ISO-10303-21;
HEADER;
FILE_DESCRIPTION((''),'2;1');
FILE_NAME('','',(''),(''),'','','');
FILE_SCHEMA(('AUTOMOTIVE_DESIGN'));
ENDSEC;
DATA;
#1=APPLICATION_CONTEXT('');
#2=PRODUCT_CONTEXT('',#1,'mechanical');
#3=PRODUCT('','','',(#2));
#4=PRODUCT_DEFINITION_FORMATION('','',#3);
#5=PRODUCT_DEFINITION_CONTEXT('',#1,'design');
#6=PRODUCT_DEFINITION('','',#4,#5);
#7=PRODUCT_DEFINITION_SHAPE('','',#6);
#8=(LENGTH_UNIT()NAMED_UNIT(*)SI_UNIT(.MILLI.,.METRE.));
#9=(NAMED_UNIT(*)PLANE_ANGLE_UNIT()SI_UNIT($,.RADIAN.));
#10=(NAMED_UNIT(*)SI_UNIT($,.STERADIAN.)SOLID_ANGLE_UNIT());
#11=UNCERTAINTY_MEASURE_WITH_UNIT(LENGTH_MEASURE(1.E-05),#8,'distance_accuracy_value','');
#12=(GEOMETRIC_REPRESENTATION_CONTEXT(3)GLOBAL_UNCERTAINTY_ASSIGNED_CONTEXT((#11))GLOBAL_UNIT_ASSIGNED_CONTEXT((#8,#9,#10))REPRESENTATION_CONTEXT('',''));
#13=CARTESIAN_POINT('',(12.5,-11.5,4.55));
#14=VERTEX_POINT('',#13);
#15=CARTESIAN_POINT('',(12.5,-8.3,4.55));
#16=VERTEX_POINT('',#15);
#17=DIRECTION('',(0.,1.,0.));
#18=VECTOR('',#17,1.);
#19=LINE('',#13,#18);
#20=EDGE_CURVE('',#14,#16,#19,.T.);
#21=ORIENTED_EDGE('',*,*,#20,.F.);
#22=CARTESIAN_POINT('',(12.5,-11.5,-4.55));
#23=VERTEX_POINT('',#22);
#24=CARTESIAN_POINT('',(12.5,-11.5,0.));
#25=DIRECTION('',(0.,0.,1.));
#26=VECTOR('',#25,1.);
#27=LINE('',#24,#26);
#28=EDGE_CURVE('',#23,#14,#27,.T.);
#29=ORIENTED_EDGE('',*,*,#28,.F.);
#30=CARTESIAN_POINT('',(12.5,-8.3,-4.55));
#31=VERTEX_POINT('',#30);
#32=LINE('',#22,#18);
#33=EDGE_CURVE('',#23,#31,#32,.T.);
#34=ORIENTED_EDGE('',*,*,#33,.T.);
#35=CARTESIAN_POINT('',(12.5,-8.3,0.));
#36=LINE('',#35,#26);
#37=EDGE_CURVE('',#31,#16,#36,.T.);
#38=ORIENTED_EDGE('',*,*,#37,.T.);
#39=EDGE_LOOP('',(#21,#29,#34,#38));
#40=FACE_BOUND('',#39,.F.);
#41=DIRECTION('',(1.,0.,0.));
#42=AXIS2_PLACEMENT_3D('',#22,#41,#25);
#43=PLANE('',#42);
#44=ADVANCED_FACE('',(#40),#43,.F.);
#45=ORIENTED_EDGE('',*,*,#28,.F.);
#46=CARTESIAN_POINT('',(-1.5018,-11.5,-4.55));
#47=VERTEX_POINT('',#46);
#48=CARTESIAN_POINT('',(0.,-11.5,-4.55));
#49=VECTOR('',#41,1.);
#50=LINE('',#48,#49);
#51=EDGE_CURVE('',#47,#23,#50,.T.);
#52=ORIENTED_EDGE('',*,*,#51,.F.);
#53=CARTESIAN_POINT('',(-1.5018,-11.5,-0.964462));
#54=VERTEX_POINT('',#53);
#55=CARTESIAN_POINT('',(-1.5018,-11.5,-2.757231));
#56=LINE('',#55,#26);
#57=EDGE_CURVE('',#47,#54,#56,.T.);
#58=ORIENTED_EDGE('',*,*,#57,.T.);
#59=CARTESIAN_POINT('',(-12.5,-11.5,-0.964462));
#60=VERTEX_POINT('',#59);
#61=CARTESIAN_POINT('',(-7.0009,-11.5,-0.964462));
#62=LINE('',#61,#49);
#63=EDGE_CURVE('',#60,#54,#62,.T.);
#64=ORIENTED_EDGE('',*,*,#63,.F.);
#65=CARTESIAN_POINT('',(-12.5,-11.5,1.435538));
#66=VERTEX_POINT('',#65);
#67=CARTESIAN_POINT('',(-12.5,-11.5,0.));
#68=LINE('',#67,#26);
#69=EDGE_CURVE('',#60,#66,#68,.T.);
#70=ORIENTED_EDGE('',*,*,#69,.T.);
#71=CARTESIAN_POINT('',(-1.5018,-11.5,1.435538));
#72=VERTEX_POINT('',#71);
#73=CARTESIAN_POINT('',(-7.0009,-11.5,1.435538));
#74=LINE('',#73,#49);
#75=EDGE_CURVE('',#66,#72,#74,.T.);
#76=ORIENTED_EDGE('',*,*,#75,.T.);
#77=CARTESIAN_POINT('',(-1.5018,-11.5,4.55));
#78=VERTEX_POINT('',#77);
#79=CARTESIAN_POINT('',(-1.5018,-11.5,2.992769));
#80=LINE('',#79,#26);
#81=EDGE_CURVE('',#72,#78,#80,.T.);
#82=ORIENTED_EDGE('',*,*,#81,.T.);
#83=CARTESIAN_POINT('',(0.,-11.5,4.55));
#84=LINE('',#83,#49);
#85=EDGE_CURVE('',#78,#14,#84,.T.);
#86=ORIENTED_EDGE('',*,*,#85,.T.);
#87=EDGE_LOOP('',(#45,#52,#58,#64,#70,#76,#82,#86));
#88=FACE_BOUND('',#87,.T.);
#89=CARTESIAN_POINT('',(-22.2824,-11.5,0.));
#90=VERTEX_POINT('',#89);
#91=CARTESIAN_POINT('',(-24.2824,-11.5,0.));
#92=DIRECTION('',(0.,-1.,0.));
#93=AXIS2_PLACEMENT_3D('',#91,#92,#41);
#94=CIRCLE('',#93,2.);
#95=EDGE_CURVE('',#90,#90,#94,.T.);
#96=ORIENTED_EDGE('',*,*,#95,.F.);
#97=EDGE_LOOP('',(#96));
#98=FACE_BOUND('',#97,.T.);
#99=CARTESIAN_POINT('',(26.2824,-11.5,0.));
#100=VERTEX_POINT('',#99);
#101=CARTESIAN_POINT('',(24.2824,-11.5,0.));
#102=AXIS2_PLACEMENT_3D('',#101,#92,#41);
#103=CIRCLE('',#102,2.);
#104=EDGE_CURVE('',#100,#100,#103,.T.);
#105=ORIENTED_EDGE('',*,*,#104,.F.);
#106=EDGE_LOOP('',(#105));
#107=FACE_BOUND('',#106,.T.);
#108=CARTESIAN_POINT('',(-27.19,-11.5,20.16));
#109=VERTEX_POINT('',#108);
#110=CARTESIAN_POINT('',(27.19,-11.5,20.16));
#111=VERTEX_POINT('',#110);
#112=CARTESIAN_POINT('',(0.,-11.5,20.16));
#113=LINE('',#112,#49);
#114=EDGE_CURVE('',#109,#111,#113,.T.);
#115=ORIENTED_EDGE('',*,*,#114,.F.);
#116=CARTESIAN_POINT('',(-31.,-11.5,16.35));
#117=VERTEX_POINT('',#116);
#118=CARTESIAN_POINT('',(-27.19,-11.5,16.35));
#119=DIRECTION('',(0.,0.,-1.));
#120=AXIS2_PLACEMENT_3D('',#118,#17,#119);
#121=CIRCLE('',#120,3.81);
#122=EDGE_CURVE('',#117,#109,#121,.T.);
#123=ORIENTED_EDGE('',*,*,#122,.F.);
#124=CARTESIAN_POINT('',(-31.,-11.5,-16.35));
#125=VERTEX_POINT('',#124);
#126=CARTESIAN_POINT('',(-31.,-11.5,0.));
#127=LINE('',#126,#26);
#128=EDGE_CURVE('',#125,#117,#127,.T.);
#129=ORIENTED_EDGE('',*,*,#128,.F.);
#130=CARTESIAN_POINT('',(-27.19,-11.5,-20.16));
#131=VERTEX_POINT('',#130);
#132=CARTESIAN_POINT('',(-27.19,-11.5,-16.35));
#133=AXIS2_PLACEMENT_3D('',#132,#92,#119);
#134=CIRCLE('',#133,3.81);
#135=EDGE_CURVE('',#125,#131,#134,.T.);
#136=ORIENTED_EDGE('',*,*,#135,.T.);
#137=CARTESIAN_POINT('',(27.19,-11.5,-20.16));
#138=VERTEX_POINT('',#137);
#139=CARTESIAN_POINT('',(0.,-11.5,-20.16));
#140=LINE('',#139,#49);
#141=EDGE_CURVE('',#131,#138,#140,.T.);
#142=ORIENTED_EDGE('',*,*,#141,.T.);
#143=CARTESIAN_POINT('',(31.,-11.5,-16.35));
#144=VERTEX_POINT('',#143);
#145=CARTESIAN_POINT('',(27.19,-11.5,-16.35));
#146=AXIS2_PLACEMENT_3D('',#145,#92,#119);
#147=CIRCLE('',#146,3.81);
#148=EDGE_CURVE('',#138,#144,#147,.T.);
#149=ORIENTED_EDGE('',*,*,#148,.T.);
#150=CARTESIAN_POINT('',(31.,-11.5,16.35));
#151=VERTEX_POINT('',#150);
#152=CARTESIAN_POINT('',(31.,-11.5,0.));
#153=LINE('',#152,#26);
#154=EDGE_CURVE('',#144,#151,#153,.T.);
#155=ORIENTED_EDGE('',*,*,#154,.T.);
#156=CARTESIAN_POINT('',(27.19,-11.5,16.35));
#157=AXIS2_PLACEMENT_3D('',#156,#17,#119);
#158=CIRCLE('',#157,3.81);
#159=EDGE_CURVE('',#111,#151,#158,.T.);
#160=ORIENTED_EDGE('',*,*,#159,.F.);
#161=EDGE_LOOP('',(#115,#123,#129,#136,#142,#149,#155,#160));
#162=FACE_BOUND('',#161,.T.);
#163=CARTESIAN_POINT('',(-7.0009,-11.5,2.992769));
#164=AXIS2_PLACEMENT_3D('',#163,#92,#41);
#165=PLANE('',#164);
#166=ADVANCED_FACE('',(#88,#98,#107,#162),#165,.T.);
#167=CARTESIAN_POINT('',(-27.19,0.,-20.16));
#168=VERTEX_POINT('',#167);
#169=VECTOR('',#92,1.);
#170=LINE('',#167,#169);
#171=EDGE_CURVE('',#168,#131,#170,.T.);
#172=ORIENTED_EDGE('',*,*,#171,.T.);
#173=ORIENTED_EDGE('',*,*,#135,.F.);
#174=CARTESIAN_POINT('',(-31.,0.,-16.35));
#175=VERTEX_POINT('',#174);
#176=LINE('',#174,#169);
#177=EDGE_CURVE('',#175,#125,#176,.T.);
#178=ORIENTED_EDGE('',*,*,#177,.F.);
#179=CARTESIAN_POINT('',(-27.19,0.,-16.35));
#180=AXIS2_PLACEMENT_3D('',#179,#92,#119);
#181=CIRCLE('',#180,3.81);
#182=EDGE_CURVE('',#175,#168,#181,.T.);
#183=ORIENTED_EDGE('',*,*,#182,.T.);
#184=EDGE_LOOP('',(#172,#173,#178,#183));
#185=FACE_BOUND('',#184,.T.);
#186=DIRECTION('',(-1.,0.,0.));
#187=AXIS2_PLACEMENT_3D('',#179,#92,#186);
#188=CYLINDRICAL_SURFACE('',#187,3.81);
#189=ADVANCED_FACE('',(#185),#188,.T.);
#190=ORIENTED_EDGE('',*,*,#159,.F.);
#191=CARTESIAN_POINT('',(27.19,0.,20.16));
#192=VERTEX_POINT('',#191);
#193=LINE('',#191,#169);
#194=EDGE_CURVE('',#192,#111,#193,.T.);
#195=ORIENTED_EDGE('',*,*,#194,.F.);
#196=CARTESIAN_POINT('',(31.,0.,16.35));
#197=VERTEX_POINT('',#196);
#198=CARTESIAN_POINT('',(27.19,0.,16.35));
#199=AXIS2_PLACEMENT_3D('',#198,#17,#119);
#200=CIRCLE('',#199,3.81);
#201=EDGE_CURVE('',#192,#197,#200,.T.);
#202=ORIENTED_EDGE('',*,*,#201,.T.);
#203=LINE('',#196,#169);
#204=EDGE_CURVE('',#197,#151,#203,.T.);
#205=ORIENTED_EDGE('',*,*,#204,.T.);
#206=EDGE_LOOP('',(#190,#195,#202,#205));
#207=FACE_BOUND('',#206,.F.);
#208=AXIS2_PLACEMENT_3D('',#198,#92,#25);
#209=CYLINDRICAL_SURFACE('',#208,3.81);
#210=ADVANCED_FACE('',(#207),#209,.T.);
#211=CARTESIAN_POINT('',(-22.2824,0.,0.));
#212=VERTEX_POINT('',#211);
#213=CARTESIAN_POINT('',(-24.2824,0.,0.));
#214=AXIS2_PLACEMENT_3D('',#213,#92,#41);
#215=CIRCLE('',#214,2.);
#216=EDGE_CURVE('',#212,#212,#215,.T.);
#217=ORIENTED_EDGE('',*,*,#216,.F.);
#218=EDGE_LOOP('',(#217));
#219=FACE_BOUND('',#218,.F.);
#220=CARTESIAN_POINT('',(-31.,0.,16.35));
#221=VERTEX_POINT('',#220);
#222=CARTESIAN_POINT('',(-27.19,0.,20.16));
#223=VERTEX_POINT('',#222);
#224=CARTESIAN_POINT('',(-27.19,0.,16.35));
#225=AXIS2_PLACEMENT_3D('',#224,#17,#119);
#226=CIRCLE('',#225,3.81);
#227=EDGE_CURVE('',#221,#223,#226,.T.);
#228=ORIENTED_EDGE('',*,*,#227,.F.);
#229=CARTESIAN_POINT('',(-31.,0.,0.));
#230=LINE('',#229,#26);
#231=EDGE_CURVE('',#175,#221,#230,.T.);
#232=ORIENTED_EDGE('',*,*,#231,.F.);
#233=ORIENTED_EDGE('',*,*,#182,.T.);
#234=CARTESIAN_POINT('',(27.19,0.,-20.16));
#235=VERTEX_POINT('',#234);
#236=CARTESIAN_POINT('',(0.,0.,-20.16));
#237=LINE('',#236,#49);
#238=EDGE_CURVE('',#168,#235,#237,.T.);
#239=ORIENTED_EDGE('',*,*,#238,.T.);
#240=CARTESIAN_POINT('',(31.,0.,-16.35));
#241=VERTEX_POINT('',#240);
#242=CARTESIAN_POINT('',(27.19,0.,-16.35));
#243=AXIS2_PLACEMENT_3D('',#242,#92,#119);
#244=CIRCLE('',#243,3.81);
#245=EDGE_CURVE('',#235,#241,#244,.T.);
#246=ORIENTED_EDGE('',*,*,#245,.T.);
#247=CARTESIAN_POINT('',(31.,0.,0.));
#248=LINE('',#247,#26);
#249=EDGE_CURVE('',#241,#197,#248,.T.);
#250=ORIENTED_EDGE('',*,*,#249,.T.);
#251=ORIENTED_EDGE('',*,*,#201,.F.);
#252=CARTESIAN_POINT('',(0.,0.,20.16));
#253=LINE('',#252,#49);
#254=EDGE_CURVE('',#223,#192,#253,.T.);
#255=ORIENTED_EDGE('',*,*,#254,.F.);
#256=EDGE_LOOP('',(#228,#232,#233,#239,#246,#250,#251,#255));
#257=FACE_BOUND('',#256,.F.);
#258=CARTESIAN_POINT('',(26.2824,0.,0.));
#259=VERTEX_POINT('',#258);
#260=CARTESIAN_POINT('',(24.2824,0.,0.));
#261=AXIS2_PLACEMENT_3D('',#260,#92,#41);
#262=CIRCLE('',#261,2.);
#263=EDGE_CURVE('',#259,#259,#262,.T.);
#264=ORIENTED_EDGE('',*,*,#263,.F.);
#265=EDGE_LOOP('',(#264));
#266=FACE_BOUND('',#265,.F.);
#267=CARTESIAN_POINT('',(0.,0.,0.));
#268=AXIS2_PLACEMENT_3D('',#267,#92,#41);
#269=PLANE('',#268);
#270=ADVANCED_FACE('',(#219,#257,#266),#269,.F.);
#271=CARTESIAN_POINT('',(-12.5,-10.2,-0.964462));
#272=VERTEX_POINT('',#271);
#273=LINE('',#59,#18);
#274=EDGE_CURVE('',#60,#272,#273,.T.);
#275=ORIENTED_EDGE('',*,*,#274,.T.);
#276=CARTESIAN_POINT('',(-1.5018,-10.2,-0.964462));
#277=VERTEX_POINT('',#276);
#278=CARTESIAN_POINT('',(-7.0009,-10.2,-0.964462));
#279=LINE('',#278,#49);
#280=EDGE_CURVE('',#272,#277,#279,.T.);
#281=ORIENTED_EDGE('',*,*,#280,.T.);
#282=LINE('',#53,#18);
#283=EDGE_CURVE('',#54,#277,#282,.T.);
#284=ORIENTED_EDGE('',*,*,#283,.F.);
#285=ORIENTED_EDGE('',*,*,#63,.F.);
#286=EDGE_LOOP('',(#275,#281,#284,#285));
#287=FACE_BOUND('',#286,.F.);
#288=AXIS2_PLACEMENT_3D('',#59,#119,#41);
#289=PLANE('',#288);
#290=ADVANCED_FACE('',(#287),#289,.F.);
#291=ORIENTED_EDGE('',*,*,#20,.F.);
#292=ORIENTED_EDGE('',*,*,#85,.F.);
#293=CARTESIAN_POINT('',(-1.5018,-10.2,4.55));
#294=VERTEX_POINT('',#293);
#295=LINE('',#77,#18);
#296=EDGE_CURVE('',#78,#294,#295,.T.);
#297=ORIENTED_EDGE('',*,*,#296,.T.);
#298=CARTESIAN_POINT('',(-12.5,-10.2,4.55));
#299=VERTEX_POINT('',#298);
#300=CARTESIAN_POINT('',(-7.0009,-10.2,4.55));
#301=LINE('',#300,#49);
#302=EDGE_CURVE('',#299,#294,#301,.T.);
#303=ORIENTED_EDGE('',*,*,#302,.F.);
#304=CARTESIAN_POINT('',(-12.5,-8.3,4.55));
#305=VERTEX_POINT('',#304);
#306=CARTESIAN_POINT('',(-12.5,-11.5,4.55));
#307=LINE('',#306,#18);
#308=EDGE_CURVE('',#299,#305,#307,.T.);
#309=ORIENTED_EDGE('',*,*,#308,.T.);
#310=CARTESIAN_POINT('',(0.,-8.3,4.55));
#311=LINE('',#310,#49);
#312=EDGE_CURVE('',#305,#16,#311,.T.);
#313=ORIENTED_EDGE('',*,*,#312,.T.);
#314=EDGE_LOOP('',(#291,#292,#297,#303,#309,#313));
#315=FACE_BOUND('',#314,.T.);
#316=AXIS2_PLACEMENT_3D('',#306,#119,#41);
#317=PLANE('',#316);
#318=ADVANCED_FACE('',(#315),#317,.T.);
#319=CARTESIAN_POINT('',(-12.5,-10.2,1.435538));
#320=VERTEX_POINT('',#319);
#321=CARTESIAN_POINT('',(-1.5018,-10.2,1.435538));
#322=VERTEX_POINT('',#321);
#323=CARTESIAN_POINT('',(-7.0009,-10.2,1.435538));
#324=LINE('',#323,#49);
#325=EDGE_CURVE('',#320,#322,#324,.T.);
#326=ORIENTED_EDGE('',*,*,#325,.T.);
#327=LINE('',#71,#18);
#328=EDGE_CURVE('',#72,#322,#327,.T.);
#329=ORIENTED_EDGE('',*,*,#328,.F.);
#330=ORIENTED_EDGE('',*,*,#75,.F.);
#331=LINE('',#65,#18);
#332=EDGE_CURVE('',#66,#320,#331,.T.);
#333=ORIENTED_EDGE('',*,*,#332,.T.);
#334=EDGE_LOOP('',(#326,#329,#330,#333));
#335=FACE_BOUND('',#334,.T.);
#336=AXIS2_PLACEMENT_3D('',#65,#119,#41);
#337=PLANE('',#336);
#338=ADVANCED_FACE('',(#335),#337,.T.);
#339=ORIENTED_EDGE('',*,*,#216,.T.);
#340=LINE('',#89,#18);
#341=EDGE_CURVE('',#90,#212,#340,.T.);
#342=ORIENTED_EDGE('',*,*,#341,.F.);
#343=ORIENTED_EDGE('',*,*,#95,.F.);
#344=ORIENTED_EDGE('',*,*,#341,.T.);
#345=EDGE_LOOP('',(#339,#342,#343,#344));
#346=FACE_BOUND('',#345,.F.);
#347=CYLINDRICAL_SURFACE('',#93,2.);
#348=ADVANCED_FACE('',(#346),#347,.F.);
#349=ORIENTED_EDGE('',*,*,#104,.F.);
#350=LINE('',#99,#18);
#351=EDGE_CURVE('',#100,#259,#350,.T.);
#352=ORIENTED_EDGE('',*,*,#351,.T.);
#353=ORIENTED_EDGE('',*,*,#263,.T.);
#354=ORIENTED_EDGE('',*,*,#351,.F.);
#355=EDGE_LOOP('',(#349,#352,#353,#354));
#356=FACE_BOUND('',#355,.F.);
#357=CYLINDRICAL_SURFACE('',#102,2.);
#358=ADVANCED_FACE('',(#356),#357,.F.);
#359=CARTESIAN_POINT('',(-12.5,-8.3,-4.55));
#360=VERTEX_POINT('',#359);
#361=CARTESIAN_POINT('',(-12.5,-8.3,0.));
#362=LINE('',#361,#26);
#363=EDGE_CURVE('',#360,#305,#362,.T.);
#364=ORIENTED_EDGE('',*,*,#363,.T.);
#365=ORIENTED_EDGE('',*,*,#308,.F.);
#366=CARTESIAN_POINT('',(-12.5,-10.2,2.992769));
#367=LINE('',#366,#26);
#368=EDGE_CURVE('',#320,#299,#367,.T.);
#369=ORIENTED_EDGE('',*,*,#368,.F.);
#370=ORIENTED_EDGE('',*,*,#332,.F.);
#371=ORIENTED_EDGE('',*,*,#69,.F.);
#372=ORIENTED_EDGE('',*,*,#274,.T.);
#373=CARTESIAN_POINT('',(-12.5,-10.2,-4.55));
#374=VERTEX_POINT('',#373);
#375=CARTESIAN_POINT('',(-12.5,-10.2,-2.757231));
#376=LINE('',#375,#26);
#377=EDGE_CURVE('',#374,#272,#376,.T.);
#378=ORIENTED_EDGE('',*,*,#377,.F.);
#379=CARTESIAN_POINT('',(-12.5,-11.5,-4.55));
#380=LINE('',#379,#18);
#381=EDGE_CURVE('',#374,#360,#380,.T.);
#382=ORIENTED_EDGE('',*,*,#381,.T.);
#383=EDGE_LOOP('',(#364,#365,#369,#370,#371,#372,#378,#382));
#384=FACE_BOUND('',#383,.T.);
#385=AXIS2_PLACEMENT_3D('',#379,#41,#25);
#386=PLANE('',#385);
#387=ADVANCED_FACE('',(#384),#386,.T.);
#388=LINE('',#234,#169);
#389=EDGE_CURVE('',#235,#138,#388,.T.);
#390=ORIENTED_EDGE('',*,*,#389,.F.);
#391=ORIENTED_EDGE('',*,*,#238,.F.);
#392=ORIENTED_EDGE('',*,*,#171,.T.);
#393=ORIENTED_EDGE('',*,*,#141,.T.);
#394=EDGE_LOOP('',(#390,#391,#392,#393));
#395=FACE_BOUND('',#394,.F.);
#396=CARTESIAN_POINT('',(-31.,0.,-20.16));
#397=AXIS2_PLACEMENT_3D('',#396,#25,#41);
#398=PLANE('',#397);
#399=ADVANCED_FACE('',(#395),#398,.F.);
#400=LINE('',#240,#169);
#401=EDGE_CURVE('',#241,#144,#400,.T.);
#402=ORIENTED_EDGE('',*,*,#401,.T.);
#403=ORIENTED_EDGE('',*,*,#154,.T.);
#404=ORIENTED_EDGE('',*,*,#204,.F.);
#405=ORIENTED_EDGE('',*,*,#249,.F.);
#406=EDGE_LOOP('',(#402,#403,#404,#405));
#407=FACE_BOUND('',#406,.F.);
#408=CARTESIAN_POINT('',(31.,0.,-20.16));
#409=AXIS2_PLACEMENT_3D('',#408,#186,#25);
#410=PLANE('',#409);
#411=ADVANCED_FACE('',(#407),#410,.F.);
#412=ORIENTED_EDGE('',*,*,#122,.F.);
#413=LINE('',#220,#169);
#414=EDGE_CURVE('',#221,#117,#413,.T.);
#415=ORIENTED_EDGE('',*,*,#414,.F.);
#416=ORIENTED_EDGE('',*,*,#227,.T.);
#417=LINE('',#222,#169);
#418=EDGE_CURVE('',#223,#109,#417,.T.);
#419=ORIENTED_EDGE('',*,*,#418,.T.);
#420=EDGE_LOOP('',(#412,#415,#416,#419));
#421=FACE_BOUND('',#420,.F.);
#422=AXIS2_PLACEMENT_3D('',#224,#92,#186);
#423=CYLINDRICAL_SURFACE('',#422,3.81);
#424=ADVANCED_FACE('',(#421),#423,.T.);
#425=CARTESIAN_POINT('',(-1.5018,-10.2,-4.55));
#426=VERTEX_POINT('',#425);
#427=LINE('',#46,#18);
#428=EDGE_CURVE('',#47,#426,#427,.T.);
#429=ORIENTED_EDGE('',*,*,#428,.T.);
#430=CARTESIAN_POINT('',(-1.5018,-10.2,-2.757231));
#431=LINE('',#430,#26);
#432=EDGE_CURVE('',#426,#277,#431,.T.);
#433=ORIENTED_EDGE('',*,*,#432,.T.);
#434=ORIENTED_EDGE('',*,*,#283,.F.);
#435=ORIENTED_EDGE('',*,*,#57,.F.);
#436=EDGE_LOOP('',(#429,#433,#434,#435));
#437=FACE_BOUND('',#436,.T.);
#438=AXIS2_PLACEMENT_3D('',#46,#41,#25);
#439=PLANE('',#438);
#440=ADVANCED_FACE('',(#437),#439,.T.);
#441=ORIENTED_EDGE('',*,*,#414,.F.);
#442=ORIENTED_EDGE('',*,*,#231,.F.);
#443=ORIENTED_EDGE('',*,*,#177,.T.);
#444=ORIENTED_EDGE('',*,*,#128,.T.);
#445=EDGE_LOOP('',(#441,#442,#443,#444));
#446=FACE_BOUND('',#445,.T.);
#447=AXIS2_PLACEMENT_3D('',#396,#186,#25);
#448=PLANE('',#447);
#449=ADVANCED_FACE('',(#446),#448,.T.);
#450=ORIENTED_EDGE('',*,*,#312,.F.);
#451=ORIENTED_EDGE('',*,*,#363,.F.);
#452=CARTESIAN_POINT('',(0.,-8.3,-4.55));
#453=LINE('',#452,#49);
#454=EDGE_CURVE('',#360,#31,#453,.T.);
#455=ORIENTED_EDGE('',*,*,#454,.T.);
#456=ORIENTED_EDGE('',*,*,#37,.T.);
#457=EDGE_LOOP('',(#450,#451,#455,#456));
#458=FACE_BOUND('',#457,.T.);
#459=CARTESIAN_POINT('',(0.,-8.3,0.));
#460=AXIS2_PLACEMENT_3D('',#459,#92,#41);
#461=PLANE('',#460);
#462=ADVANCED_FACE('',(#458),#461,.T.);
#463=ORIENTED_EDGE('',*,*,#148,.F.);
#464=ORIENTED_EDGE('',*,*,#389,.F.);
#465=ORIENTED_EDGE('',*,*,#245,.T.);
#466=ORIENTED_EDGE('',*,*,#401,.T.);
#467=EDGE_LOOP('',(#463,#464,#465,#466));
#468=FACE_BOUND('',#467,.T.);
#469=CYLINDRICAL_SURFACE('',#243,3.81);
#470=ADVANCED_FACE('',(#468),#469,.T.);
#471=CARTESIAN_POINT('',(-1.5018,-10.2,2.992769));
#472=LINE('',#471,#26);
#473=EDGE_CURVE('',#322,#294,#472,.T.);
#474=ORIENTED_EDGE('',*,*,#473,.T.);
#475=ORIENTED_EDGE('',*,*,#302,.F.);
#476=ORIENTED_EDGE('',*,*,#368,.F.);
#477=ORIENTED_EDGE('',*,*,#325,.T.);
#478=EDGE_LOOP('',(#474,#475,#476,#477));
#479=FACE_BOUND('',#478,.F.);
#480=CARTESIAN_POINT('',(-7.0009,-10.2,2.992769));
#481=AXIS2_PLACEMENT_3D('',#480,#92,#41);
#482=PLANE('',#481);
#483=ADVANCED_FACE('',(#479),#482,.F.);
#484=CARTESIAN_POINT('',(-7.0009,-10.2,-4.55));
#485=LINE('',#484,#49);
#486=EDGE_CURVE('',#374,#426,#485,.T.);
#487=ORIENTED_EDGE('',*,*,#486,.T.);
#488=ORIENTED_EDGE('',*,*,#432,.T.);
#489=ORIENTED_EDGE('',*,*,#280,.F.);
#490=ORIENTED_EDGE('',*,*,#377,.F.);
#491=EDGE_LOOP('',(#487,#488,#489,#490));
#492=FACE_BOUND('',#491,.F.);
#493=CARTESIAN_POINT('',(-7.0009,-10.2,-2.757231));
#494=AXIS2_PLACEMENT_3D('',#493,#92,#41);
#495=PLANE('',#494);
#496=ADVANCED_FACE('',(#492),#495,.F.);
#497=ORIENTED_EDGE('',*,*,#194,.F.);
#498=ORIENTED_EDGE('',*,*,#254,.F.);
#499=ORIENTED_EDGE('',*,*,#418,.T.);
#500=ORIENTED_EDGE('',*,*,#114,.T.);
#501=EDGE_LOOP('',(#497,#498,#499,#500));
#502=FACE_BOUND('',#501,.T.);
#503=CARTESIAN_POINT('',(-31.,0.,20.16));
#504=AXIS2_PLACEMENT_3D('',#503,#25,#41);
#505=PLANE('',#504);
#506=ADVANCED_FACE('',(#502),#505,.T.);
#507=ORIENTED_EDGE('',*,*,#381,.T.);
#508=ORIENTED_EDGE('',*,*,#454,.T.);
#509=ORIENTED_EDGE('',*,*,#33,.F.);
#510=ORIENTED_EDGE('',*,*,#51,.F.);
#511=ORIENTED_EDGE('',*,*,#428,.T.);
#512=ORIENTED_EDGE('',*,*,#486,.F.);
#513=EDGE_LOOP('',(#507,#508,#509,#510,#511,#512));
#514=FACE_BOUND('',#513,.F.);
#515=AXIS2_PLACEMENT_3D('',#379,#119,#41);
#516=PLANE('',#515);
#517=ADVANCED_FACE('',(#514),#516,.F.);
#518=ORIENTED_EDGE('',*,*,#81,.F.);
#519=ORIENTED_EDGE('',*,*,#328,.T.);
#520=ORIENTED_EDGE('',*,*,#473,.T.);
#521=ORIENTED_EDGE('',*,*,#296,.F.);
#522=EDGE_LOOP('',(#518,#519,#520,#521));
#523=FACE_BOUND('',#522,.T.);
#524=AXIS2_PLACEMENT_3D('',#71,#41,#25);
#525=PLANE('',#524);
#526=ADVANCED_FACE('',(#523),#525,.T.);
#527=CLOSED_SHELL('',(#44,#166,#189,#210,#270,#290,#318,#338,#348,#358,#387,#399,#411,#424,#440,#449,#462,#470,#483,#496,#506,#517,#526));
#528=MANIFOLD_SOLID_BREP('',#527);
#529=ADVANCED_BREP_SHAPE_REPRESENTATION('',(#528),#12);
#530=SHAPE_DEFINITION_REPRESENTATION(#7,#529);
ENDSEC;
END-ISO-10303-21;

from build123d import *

# Parameters (mm, degrees)
F0_W     = 62
F0_H     = 40.32
F1_DEPTH = 11.5
F2_W     = 25
F2_H     = 9.1
F3_DEPTH = 3.2
F4_W     = 10.9982
F4_H     = 3.114462
F4_H_2   = 3.585538
F5_DEPTH = 1.3
F6_R     = 3.81
F7_R     = 2
F8_DEPTH = 15.24


with BuildPart() as f1:
    # F0 (on Front) → F1 (new body)
    with BuildSketch(Plane.XZ):
        Rectangle(F0_W, F0_H)
    extrude(amount=F1_DEPTH)

    # F2 (on face) → F3 (cut)
    with BuildSketch(Plane.XZ.offset(11.5)):
        Rectangle(F2_W, F2_H)
    extrude(amount=-F3_DEPTH, mode=Mode.SUBTRACT)

    # F4 (on face) → F5 (join)
    with BuildSketch(Plane.XZ.offset(11.5)):
        with Locations((-7.0009, 2.992769)):
            Rectangle(F4_W, F4_H)
        with Locations((-7.0009, -2.757231)):
            Rectangle(F4_W, F4_H_2)
    extrude(amount=-F5_DEPTH)

    # F6
    f6_edges = [f1.edges().sort_by_distance(p)[0] for p in [
        (-31, -5.75, 20.16),
        (31, -5.75, 20.16),
        (31, -5.75, -20.16),
        (-31, -5.75, -20.16),
    ]]
    fillet(f6_edges, radius=F6_R)

    # F7 (on face) → F8 (cut)
    with BuildSketch(Plane.XZ.offset(11.5)):
        with Locations((-24.2824, 0)):
            Circle(F7_R)
        with Locations((24.2824, 0)):
            Circle(F7_R)
    extrude(amount=-F8_DEPTH, mode=Mode.SUBTRACT)


solid = f1.part
